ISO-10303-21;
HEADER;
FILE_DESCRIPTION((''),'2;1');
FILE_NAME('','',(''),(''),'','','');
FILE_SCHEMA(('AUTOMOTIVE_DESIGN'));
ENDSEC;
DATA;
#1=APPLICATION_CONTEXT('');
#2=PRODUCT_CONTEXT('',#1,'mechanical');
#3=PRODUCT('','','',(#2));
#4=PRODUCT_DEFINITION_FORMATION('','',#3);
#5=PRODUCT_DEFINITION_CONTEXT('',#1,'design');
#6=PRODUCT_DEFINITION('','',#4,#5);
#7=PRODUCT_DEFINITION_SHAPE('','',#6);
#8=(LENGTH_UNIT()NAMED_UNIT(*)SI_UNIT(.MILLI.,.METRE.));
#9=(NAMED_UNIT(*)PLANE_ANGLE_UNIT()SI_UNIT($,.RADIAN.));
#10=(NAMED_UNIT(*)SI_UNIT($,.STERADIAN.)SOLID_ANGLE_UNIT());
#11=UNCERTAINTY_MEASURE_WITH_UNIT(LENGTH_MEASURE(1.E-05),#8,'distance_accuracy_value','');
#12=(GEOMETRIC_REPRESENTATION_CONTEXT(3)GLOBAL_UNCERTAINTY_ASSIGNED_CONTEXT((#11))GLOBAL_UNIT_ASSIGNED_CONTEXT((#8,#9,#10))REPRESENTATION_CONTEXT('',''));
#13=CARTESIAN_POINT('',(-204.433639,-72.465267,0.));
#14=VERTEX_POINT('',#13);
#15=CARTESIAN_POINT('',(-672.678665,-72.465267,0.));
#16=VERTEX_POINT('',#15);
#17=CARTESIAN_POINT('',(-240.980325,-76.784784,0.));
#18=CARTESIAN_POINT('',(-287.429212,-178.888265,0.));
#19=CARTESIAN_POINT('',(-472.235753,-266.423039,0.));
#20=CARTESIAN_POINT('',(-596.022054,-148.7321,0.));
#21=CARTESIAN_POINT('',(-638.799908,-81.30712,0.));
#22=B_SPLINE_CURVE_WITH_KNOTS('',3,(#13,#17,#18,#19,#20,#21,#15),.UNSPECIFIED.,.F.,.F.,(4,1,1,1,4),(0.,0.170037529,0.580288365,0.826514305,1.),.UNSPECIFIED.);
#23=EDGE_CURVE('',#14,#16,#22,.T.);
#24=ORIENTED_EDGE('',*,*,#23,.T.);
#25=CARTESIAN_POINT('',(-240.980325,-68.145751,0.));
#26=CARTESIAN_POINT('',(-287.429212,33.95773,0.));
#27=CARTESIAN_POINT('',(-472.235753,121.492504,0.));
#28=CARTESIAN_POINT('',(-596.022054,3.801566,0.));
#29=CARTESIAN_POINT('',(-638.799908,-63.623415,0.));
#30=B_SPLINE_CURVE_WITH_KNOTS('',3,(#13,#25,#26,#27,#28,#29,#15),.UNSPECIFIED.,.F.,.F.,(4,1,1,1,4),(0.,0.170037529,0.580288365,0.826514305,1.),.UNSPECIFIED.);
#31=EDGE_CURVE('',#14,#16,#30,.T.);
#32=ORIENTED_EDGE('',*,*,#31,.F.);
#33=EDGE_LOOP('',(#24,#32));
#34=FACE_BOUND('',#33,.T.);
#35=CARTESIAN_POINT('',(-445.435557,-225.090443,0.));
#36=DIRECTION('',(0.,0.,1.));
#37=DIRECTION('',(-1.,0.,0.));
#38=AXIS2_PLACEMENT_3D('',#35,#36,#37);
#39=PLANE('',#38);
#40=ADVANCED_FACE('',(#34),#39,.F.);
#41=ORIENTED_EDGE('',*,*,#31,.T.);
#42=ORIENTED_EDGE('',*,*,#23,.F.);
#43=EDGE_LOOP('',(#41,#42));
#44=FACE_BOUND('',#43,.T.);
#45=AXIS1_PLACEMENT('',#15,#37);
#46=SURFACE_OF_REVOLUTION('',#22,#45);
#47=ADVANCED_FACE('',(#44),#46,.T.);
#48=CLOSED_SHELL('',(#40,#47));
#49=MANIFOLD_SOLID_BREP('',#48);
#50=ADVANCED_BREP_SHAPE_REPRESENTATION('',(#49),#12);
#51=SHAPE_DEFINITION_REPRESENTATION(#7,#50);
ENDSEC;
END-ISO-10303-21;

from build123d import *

# Parameters (mm, degrees)
REVOLVE3_ANGLE = 180


with BuildPart() as part:
    # Sketch1 → Revolve3 (revolve)
    with BuildSketch(Plane.XY):
        with BuildLine():
            Line((-672.678665165, -72.465267442), (-204.433639486, -72.465267442))
            add(Edge.make_bspline(
                [(-672.678665165, -72.465267442), (-638.799908049, -63.623415226), (-596.022054302, 3.801565536), (-472.235753413, 121.492503949), (-287.429212036, 33.95772962), (-240.980324753, -68.145751286), (-204.433639486, -72.465267442)],
                knots=[0, 0, 0, 0, 0.173485695, 0.419711635, 0.829962471, 1, 1, 1, 1], degree=3))
        make_face()
    revolve(axis=Axis((-672.678665165, -72.465267442, 0), (1, 0, 0)), revolution_arc=REVOLVE3_ANGLE)


solid = part.part
